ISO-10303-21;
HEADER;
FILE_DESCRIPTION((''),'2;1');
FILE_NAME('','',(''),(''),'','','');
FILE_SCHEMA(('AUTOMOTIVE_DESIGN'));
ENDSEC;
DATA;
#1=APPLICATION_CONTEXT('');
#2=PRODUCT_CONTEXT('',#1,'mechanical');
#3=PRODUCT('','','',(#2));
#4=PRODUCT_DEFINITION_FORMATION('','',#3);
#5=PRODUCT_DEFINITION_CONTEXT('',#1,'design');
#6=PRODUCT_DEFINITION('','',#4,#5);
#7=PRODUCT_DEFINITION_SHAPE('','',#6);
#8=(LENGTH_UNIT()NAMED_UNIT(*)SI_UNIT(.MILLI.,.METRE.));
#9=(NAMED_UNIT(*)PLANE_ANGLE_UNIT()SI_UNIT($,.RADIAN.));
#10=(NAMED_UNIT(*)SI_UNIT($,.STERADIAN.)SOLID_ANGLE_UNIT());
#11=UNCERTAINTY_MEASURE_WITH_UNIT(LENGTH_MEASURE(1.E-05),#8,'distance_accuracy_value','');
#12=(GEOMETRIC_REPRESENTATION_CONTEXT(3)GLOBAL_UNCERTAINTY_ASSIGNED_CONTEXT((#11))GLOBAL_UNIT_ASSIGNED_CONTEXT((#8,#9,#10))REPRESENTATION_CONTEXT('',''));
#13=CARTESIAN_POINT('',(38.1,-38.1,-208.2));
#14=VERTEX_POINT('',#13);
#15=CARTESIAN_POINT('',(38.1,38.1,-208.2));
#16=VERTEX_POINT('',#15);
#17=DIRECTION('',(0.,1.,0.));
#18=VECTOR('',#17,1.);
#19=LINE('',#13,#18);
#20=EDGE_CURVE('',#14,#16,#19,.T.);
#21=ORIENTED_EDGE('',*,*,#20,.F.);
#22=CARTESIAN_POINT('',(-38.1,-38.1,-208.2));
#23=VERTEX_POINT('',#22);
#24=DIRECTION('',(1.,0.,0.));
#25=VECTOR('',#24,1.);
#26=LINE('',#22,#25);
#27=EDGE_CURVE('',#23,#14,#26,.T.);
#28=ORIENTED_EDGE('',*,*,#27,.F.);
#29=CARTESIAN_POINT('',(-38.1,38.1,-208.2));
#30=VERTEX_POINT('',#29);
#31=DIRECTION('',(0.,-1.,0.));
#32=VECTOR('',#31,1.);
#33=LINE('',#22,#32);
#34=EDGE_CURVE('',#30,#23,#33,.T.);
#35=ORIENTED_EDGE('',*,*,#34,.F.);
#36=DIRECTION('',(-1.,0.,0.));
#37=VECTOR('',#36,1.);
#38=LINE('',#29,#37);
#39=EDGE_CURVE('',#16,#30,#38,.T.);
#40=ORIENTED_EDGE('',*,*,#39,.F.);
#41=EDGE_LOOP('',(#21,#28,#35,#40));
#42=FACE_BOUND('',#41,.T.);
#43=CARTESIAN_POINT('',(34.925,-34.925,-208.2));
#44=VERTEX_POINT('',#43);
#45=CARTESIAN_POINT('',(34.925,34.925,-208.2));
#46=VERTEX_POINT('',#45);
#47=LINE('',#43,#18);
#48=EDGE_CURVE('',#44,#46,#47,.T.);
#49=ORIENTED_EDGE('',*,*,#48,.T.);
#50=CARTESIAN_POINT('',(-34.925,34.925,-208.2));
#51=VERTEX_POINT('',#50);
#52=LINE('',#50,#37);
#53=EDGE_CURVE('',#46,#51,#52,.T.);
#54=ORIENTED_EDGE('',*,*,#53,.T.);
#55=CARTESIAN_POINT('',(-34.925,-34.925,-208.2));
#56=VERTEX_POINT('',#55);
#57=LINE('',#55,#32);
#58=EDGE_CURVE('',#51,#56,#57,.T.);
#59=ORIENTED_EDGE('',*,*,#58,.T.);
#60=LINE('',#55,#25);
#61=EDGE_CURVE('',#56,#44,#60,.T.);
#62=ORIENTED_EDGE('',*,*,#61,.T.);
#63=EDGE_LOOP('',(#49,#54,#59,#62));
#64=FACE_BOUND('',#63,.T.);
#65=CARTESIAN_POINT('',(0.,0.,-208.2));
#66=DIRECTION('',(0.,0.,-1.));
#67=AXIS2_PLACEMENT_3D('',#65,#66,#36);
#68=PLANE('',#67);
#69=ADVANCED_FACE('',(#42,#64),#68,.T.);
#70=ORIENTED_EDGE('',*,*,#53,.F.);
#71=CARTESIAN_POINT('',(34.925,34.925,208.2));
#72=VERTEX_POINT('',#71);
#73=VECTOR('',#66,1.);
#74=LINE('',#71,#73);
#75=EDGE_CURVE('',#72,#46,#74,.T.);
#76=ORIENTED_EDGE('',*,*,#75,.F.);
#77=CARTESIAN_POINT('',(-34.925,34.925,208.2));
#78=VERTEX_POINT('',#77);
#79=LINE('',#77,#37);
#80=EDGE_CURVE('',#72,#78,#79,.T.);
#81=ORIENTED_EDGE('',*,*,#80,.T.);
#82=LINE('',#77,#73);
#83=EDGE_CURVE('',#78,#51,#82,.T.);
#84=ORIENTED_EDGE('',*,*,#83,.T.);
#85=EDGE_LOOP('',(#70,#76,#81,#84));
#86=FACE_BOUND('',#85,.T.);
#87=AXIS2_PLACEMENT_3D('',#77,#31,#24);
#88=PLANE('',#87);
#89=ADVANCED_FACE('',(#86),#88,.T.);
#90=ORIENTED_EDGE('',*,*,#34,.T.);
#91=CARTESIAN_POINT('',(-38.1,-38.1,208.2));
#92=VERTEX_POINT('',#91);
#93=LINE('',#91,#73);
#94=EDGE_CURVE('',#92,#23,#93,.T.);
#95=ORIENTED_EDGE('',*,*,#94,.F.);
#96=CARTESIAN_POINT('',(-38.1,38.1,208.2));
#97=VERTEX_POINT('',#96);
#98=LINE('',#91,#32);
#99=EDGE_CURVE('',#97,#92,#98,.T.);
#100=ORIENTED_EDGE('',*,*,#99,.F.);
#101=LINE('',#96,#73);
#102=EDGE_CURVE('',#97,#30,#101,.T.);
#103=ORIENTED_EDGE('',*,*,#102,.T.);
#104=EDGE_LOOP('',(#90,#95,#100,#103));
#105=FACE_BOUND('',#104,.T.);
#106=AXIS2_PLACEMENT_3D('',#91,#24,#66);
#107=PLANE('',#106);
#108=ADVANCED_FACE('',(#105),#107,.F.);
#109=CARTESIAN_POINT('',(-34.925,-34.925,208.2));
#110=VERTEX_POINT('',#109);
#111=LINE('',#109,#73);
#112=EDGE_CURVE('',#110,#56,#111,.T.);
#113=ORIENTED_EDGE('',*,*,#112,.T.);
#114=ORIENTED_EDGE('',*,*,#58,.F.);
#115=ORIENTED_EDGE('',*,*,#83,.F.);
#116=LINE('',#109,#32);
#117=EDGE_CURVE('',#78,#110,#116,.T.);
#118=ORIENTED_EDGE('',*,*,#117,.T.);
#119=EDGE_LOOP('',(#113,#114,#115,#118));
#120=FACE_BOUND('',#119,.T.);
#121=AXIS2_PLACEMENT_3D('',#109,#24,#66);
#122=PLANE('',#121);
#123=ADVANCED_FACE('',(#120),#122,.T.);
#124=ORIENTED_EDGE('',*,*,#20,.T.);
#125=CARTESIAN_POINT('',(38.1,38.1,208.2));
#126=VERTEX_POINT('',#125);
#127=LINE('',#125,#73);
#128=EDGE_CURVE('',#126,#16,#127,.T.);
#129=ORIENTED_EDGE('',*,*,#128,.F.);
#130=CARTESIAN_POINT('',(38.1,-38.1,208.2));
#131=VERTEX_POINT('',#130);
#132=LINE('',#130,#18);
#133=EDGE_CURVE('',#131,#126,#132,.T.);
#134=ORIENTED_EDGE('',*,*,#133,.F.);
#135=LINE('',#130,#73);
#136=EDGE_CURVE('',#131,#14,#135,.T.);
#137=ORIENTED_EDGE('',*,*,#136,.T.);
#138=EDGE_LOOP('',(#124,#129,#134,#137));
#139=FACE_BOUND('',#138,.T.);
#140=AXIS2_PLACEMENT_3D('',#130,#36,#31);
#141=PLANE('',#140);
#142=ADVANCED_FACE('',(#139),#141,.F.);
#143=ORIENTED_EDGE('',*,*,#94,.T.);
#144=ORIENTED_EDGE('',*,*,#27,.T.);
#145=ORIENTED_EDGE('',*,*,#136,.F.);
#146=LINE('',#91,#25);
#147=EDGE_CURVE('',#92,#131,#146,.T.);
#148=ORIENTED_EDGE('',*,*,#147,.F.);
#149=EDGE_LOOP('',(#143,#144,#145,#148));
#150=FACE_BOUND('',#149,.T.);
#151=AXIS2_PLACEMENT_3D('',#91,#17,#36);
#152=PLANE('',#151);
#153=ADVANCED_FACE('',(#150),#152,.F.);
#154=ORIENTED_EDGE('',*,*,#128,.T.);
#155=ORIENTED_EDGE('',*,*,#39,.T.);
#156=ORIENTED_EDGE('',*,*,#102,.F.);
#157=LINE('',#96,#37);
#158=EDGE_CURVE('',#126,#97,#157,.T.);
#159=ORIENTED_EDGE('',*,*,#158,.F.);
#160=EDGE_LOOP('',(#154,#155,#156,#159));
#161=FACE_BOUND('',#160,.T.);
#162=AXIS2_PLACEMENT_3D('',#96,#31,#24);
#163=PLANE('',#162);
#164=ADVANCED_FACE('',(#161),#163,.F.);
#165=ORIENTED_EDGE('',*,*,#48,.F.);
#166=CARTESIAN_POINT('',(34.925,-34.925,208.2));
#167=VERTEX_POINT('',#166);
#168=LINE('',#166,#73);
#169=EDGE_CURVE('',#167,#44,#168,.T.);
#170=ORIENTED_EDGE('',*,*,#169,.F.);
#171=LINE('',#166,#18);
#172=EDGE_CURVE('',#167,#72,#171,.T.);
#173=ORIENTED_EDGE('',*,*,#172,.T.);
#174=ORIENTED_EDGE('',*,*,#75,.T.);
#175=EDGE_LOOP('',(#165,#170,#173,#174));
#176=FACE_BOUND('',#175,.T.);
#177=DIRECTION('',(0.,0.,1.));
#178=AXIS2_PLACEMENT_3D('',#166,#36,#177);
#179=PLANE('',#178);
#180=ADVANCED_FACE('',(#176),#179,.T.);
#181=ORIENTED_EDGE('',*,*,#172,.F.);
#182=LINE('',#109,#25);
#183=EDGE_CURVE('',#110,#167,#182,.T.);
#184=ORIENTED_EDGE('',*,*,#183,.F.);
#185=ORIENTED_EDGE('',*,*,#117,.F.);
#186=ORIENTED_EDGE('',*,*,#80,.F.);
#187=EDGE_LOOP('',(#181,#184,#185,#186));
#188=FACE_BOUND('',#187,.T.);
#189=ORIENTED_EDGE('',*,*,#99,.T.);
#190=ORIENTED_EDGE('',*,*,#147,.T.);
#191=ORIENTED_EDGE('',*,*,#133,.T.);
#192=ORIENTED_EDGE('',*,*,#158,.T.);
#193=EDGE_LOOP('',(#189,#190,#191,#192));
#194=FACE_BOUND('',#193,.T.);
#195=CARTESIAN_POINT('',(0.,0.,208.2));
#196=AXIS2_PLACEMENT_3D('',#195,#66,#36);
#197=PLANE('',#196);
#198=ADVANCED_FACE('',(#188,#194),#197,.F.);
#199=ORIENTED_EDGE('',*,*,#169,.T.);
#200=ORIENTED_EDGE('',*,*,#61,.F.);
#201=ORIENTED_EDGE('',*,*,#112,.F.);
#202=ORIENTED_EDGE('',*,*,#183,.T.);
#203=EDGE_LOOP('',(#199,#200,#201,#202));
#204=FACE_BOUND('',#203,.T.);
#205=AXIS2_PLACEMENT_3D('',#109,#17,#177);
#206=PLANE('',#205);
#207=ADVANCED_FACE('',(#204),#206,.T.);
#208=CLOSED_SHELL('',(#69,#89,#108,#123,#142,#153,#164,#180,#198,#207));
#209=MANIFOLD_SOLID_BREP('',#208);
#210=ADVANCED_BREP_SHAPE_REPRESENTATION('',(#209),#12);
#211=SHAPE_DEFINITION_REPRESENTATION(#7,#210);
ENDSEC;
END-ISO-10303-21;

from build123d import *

# Parameters (mm, degrees)
SKETCH1_W           = 76.2
SKETCH1_H           = 76.2
SKETCH1_W_2         = 69.85
SKETCH1_H_2         = 69.85
BOSS_EXTRUDE1_DEPTH = 208.2


with BuildPart() as part:
    # Sketch1 → Boss-Extrude1 (new, symmetric)
    with BuildSketch(Plane.XY):
        Rectangle(SKETCH1_W, SKETCH1_H)
        Rectangle(SKETCH1_W_2, SKETCH1_H_2, mode=Mode.SUBTRACT)
    extrude(amount=BOSS_EXTRUDE1_DEPTH, both=True)


solid = part.part
